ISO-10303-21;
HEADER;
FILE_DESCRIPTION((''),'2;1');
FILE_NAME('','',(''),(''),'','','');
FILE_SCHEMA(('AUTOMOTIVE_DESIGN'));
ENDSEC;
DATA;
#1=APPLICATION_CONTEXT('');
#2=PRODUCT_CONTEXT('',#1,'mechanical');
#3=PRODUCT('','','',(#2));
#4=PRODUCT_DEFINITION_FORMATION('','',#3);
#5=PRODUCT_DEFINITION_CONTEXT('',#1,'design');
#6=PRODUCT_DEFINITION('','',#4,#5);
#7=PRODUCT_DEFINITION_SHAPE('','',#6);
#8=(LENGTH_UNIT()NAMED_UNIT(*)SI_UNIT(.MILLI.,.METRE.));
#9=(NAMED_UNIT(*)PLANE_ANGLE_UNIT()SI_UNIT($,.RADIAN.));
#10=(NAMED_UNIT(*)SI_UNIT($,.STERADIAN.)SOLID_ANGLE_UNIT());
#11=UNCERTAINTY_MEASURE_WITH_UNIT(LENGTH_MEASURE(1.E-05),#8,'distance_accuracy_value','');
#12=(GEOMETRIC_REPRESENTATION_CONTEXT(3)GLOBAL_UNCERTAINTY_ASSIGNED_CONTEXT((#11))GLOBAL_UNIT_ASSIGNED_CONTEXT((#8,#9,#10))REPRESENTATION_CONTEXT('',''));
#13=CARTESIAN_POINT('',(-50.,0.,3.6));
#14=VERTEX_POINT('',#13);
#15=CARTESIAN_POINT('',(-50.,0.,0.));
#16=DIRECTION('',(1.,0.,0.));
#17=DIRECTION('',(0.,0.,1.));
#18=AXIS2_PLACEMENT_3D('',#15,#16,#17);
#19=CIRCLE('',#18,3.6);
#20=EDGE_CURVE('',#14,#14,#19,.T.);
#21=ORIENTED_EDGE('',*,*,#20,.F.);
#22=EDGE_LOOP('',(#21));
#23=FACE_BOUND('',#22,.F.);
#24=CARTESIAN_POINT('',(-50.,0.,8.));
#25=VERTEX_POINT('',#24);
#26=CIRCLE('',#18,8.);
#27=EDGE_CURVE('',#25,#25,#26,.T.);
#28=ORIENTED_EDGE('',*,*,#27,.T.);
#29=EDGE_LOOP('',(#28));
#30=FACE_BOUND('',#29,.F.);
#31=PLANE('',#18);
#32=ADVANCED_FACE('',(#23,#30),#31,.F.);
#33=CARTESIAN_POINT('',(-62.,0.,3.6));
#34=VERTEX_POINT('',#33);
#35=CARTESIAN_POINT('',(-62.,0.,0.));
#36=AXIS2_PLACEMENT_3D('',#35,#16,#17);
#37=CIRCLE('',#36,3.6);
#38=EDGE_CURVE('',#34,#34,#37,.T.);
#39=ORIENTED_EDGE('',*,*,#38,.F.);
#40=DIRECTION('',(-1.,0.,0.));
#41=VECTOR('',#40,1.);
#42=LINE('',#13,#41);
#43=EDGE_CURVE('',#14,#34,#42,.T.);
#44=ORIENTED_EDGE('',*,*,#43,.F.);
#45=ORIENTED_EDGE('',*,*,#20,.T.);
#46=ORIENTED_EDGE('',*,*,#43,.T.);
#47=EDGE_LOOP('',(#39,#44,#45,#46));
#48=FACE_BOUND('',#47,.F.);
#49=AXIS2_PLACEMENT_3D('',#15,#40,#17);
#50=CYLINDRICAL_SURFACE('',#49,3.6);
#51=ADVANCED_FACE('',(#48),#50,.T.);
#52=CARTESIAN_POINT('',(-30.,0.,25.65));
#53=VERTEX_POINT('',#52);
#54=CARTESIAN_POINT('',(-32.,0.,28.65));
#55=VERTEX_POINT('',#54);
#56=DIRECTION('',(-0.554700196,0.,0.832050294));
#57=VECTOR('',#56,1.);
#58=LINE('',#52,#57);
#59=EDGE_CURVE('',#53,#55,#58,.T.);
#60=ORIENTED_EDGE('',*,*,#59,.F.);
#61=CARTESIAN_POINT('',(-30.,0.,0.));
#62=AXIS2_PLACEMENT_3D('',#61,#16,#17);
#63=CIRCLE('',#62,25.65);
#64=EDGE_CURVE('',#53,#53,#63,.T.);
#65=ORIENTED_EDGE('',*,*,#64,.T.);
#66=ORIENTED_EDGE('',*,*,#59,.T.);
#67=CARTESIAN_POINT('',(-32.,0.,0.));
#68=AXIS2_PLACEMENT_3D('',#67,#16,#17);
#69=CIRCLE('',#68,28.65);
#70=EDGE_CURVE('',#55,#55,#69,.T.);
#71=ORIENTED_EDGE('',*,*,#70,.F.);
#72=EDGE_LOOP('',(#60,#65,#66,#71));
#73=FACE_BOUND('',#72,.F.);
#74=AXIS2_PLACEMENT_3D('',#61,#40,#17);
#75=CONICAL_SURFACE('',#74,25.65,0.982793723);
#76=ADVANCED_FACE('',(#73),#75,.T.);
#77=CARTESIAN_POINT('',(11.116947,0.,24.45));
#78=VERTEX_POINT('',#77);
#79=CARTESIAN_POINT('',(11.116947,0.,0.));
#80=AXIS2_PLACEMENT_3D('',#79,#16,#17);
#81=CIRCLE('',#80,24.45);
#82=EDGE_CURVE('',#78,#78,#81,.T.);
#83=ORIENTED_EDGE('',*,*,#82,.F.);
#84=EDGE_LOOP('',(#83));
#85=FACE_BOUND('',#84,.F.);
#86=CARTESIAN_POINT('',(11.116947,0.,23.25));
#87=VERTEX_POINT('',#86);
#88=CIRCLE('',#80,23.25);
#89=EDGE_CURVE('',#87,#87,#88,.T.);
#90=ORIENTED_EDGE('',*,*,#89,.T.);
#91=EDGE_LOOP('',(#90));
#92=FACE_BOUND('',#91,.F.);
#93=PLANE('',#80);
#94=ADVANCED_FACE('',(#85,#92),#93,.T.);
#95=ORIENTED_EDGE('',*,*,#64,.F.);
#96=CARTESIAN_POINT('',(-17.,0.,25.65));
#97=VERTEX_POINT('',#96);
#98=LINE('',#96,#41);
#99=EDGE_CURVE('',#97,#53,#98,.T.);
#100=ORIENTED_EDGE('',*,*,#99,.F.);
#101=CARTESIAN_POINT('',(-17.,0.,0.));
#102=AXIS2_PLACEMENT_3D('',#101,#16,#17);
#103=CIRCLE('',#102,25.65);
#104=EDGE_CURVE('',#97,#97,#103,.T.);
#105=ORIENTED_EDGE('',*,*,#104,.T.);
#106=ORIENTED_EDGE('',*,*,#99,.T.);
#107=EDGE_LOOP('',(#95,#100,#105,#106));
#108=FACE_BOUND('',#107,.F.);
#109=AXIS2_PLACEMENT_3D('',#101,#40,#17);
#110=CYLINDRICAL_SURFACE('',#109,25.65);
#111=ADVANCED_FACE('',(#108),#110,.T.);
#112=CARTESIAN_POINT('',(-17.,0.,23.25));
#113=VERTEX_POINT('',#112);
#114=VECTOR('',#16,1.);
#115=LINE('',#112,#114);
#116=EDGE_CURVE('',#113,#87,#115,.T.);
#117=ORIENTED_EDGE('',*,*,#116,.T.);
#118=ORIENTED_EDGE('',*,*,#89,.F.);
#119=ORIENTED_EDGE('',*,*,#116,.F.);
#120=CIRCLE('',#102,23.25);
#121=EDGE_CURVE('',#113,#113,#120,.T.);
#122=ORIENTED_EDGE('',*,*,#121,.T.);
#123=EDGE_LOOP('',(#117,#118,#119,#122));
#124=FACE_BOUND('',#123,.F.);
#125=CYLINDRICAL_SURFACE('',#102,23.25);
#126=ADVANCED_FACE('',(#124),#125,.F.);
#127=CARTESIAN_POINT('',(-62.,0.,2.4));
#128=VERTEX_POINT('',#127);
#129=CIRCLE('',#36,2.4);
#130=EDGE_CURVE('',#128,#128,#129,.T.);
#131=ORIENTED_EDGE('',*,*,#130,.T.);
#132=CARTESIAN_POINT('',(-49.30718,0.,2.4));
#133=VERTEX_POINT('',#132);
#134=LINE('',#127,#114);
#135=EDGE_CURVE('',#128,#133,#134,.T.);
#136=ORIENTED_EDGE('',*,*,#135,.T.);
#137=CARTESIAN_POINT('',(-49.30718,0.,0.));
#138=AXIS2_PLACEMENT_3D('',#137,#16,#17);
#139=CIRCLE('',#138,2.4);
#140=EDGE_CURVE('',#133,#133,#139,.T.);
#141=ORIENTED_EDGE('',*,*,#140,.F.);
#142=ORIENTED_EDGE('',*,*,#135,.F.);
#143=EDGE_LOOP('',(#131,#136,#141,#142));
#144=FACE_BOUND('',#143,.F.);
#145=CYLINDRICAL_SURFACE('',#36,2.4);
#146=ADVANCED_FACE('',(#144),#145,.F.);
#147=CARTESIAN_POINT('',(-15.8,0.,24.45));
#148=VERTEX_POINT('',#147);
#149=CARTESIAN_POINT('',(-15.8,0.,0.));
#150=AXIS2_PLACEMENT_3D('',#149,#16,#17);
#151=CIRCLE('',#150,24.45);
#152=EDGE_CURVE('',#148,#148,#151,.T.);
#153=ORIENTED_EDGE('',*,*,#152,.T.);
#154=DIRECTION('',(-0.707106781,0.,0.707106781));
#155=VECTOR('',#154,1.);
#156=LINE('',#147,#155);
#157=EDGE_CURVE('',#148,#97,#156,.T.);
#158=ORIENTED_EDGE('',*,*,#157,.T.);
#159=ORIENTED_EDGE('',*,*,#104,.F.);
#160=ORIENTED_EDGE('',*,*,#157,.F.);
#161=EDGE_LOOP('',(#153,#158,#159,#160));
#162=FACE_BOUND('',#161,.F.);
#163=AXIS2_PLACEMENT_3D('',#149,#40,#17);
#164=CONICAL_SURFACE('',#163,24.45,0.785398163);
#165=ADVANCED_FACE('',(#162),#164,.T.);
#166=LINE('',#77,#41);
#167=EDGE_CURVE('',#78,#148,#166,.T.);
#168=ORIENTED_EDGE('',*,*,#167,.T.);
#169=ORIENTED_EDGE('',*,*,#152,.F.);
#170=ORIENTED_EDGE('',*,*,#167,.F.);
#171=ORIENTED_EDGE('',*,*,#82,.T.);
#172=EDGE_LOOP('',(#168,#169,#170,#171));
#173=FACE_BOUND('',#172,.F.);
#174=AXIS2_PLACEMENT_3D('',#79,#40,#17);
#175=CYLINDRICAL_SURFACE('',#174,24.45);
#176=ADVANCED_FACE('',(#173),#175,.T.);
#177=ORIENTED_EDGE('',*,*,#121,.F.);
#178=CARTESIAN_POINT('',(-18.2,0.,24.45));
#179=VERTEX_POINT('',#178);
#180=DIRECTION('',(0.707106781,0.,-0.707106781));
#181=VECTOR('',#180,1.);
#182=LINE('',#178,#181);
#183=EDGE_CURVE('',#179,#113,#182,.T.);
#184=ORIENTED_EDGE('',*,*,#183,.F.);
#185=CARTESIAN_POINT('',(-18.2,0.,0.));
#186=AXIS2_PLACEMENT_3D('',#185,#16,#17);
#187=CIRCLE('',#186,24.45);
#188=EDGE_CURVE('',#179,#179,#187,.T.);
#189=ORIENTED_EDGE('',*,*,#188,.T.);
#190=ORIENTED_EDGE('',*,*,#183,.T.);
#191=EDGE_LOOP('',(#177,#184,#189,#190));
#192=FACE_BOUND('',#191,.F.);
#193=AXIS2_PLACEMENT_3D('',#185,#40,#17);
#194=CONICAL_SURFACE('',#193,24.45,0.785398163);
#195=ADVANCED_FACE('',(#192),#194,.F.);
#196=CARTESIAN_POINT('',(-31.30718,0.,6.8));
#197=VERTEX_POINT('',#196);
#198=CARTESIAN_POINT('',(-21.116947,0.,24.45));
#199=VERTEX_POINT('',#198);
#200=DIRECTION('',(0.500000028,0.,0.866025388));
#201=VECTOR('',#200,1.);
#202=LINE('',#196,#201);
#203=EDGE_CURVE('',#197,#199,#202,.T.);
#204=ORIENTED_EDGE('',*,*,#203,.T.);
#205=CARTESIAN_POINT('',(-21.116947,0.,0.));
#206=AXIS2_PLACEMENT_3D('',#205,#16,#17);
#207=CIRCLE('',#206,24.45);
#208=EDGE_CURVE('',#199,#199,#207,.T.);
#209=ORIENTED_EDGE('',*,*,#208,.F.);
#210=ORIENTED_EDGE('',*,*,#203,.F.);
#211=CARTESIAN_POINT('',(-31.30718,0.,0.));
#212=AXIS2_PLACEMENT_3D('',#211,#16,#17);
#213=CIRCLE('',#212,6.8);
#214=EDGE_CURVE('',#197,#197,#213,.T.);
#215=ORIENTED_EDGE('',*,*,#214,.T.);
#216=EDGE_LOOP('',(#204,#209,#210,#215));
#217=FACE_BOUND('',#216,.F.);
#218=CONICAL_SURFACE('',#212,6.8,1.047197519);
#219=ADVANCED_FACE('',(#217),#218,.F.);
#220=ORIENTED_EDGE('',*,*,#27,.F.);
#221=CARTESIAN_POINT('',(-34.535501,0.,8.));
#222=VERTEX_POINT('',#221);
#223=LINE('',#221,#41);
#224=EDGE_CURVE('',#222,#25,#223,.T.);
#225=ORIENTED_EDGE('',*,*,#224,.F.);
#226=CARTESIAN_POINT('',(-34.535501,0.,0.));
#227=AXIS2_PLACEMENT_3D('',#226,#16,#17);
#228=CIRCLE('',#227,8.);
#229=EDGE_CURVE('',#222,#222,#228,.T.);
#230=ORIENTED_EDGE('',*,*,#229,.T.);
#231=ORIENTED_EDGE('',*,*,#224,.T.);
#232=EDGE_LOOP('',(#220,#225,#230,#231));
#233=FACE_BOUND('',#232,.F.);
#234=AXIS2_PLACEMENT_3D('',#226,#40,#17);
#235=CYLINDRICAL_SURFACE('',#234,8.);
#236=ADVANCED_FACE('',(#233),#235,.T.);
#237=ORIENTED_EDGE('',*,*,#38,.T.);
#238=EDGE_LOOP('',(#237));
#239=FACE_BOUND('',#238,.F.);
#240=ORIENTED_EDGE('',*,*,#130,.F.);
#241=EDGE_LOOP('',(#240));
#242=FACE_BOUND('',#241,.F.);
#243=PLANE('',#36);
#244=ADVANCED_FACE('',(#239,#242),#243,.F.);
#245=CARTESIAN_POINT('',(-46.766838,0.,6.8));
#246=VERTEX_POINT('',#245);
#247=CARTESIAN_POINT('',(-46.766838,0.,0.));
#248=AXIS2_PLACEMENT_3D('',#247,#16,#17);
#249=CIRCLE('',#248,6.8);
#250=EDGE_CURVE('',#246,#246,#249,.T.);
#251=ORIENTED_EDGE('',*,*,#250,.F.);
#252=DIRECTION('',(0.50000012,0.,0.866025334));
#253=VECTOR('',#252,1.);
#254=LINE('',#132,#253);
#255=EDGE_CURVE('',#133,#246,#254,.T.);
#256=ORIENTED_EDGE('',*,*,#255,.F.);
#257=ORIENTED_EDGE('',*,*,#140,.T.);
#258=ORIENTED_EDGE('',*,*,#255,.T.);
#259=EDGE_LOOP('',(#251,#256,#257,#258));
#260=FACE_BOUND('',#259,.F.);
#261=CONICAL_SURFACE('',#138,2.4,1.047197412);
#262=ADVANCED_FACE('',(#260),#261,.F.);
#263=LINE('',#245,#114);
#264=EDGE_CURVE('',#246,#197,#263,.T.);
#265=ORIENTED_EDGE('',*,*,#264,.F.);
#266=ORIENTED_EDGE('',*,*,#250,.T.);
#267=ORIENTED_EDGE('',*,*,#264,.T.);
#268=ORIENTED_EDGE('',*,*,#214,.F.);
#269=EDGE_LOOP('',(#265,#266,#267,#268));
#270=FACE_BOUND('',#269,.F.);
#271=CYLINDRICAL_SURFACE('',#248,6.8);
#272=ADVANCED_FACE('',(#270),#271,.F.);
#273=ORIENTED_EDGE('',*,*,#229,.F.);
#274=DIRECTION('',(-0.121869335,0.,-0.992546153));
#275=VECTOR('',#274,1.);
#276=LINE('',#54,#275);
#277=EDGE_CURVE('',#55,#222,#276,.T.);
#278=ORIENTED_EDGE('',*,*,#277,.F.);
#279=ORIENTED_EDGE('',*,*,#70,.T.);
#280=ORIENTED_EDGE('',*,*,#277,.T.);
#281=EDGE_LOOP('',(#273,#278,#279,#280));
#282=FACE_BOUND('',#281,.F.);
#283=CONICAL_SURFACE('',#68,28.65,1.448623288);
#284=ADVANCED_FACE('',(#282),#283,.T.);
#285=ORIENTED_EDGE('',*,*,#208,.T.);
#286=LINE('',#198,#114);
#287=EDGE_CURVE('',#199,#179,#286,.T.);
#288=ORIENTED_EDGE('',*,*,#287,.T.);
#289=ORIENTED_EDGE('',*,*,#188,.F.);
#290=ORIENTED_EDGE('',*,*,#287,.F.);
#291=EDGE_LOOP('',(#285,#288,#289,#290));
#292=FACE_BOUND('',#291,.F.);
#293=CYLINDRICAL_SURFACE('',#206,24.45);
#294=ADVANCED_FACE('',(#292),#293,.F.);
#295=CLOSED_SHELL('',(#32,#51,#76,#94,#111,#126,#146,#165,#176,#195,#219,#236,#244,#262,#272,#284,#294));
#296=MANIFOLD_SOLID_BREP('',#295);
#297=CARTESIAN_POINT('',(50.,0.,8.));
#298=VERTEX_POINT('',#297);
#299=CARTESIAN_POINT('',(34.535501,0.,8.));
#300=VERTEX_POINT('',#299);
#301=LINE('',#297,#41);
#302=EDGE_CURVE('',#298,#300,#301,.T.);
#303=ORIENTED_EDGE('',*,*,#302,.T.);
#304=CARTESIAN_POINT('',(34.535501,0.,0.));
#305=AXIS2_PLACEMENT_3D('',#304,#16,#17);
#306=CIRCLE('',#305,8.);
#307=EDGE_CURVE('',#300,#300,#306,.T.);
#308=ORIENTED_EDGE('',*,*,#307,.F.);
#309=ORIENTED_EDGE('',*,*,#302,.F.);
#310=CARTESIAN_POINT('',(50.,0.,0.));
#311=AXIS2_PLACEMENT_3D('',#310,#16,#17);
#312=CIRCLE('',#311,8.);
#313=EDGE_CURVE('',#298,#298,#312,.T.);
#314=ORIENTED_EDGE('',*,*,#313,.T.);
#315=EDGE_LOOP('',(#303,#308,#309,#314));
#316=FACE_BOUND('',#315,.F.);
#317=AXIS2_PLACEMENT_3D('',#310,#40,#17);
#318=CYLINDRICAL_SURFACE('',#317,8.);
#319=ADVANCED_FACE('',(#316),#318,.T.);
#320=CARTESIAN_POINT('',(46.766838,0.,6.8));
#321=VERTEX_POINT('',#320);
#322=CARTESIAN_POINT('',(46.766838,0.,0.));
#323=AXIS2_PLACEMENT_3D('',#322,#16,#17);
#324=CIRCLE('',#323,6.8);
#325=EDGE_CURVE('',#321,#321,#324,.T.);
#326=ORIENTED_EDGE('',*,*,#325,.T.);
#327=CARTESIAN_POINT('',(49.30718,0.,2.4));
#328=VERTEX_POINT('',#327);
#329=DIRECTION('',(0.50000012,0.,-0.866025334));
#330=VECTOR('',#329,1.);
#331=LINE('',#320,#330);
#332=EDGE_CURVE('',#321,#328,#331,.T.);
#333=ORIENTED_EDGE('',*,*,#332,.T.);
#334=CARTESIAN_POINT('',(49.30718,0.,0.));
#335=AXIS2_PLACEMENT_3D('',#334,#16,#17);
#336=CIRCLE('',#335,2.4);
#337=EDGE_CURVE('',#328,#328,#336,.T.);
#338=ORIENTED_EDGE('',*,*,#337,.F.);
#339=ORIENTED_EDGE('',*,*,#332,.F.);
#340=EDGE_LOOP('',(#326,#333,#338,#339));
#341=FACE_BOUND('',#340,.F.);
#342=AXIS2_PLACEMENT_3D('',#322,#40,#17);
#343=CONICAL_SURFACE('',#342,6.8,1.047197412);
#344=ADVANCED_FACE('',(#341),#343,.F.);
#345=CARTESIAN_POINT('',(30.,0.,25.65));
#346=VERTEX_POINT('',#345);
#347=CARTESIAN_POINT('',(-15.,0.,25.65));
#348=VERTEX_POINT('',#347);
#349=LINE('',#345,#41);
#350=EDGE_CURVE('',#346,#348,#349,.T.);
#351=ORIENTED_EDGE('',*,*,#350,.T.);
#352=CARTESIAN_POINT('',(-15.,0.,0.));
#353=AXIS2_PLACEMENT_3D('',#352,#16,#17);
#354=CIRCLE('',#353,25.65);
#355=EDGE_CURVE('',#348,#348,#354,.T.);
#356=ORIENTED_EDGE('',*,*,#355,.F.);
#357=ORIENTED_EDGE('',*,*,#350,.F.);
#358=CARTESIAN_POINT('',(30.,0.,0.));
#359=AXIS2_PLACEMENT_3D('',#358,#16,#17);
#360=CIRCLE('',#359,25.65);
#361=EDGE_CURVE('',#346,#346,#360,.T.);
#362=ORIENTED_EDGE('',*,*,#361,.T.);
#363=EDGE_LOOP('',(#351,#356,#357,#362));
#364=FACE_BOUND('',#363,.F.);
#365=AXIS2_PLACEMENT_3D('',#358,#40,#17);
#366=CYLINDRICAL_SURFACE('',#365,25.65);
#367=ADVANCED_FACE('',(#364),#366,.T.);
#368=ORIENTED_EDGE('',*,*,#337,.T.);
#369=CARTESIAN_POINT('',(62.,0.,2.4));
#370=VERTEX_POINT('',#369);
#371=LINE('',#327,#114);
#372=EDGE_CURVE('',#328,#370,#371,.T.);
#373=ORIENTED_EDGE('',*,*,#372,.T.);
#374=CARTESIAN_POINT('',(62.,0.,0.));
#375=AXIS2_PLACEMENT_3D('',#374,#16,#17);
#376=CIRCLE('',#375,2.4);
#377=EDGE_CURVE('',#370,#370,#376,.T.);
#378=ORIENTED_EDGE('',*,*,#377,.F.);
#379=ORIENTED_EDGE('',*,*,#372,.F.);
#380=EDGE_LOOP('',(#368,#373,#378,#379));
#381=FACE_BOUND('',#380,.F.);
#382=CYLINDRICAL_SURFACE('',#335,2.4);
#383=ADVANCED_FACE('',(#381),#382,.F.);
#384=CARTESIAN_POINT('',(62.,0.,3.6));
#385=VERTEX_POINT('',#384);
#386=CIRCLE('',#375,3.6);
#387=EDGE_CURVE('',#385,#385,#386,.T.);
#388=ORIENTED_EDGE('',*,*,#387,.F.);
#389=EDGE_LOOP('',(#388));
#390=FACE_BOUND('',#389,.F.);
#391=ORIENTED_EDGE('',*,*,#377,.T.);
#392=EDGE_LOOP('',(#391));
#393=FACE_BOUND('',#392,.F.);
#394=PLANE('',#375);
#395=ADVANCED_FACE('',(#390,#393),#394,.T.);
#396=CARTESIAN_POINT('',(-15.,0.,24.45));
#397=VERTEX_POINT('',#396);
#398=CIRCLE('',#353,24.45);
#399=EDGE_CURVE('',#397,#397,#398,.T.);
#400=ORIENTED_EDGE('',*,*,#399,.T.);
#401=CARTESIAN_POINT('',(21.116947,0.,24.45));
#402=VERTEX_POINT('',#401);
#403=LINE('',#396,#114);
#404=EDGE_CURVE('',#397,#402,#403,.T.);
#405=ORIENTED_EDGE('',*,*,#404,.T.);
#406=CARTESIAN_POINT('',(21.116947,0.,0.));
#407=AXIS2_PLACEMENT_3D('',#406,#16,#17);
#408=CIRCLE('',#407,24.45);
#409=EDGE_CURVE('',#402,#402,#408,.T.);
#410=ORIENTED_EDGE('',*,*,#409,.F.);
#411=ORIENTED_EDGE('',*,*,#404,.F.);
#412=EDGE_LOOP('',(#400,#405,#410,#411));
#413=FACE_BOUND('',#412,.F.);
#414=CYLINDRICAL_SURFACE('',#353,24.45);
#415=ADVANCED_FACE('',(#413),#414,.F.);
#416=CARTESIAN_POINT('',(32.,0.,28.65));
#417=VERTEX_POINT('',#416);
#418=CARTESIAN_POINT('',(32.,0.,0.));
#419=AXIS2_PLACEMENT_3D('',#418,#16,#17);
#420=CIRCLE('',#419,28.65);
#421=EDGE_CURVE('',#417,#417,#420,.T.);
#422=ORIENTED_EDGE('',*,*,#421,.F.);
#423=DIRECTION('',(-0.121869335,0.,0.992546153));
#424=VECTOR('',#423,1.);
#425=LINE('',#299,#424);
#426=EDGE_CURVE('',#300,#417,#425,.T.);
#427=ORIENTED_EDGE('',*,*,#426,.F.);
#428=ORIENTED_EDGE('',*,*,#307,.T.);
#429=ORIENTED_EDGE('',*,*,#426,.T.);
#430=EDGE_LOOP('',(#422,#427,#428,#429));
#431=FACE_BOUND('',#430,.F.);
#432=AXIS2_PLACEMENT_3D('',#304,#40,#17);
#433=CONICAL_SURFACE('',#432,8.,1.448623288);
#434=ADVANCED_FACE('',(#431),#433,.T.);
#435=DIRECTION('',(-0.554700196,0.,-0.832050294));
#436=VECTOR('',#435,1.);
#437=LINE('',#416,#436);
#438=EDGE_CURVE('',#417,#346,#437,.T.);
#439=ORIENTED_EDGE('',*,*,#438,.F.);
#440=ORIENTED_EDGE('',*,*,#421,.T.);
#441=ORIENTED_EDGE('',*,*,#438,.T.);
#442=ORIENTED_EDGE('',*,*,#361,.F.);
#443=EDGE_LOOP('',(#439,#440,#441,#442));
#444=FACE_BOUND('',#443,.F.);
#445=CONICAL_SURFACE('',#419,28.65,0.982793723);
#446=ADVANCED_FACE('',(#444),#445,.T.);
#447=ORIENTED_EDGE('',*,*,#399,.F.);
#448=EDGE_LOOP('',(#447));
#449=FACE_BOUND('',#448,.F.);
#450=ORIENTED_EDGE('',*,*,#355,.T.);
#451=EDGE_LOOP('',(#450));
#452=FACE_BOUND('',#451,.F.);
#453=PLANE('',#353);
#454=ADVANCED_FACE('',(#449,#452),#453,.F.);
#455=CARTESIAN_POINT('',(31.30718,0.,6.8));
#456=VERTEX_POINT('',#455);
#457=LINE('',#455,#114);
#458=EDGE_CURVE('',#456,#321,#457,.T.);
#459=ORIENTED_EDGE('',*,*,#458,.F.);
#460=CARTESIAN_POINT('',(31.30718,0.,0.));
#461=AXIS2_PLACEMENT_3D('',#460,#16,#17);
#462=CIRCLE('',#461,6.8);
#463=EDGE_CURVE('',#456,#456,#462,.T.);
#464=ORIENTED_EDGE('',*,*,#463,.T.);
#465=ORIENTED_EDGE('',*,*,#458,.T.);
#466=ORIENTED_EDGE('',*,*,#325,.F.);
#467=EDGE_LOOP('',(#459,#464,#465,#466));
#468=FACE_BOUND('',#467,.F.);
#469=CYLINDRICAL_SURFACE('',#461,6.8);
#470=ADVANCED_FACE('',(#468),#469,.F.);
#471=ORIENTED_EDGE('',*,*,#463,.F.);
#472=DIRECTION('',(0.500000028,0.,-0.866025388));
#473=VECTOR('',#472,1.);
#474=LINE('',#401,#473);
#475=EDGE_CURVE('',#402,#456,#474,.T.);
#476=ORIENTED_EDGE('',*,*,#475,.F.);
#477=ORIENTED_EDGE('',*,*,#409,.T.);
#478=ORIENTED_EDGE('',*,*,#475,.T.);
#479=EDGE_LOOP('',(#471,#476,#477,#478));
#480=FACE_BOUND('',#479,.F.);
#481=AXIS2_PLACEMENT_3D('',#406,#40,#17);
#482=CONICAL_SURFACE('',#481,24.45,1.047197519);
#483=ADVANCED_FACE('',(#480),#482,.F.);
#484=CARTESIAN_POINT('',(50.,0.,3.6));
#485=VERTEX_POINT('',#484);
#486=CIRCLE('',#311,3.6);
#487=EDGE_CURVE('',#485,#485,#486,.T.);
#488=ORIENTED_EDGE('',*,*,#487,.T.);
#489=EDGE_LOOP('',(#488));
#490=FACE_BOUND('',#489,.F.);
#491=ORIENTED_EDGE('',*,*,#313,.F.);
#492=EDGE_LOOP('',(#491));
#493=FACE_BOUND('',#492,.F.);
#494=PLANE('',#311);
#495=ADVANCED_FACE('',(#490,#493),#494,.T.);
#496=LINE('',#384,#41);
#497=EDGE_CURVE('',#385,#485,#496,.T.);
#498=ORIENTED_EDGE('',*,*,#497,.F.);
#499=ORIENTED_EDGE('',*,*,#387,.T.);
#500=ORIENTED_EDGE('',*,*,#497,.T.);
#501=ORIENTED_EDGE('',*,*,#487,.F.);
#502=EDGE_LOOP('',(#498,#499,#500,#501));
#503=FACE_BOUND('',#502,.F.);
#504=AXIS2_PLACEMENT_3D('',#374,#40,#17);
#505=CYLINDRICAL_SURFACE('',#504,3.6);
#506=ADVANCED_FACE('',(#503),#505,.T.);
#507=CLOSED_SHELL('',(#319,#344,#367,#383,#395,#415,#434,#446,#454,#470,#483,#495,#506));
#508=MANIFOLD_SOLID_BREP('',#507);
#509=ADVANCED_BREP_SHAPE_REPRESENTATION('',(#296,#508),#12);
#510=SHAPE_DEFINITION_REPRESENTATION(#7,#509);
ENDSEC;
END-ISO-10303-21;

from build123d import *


with BuildPart() as f1:
    # F0 (on Front) → F1 (revolve)
    with BuildSketch(Plane.XZ):
        Polygon((62, 2.4), (62, 3.6), (50, 3.6), (50, 8), (34.535501, 8), (32, 28.65), (30, 25.65), (-15, 25.65), (-15, 24.45), (21.116947, 24.45), (31.30718, 6.8), (46.766838, 6.8), (49.30718, 2.4), align=None)
    revolve(axis=Axis((37.433878, 0, 0), (1, 0, 0)))


with BuildPart() as f3:
    # F2 (on Front) → F3 (revolve)
    with BuildSketch(Plane.XZ):
        Polygon((-17, 25.65), (-30, 25.65), (-32, 28.65), (-34.535501, 8), (-50, 8), (-50, 3.6), (-62, 3.6), (-62, 2.4), (-49.30718, 2.4), (-46.766838, 6.8), (-31.30718, 6.8), (-21.116947, 24.45), (-18.2, 24.45), align=None)
        Polygon((-15.8, 24.45), (-17, 25.65), (-18.2, 24.45), (-17, 23.25), align=None)
        Polygon((11.116947, 24.45), (-15.8, 24.45), (-17, 23.25), (11.116947, 23.25), align=None)
    revolve(axis=Axis((37.433878, 0, 0), (1, 0, 0)))


solid = Compound([f1.part, f3.part])
